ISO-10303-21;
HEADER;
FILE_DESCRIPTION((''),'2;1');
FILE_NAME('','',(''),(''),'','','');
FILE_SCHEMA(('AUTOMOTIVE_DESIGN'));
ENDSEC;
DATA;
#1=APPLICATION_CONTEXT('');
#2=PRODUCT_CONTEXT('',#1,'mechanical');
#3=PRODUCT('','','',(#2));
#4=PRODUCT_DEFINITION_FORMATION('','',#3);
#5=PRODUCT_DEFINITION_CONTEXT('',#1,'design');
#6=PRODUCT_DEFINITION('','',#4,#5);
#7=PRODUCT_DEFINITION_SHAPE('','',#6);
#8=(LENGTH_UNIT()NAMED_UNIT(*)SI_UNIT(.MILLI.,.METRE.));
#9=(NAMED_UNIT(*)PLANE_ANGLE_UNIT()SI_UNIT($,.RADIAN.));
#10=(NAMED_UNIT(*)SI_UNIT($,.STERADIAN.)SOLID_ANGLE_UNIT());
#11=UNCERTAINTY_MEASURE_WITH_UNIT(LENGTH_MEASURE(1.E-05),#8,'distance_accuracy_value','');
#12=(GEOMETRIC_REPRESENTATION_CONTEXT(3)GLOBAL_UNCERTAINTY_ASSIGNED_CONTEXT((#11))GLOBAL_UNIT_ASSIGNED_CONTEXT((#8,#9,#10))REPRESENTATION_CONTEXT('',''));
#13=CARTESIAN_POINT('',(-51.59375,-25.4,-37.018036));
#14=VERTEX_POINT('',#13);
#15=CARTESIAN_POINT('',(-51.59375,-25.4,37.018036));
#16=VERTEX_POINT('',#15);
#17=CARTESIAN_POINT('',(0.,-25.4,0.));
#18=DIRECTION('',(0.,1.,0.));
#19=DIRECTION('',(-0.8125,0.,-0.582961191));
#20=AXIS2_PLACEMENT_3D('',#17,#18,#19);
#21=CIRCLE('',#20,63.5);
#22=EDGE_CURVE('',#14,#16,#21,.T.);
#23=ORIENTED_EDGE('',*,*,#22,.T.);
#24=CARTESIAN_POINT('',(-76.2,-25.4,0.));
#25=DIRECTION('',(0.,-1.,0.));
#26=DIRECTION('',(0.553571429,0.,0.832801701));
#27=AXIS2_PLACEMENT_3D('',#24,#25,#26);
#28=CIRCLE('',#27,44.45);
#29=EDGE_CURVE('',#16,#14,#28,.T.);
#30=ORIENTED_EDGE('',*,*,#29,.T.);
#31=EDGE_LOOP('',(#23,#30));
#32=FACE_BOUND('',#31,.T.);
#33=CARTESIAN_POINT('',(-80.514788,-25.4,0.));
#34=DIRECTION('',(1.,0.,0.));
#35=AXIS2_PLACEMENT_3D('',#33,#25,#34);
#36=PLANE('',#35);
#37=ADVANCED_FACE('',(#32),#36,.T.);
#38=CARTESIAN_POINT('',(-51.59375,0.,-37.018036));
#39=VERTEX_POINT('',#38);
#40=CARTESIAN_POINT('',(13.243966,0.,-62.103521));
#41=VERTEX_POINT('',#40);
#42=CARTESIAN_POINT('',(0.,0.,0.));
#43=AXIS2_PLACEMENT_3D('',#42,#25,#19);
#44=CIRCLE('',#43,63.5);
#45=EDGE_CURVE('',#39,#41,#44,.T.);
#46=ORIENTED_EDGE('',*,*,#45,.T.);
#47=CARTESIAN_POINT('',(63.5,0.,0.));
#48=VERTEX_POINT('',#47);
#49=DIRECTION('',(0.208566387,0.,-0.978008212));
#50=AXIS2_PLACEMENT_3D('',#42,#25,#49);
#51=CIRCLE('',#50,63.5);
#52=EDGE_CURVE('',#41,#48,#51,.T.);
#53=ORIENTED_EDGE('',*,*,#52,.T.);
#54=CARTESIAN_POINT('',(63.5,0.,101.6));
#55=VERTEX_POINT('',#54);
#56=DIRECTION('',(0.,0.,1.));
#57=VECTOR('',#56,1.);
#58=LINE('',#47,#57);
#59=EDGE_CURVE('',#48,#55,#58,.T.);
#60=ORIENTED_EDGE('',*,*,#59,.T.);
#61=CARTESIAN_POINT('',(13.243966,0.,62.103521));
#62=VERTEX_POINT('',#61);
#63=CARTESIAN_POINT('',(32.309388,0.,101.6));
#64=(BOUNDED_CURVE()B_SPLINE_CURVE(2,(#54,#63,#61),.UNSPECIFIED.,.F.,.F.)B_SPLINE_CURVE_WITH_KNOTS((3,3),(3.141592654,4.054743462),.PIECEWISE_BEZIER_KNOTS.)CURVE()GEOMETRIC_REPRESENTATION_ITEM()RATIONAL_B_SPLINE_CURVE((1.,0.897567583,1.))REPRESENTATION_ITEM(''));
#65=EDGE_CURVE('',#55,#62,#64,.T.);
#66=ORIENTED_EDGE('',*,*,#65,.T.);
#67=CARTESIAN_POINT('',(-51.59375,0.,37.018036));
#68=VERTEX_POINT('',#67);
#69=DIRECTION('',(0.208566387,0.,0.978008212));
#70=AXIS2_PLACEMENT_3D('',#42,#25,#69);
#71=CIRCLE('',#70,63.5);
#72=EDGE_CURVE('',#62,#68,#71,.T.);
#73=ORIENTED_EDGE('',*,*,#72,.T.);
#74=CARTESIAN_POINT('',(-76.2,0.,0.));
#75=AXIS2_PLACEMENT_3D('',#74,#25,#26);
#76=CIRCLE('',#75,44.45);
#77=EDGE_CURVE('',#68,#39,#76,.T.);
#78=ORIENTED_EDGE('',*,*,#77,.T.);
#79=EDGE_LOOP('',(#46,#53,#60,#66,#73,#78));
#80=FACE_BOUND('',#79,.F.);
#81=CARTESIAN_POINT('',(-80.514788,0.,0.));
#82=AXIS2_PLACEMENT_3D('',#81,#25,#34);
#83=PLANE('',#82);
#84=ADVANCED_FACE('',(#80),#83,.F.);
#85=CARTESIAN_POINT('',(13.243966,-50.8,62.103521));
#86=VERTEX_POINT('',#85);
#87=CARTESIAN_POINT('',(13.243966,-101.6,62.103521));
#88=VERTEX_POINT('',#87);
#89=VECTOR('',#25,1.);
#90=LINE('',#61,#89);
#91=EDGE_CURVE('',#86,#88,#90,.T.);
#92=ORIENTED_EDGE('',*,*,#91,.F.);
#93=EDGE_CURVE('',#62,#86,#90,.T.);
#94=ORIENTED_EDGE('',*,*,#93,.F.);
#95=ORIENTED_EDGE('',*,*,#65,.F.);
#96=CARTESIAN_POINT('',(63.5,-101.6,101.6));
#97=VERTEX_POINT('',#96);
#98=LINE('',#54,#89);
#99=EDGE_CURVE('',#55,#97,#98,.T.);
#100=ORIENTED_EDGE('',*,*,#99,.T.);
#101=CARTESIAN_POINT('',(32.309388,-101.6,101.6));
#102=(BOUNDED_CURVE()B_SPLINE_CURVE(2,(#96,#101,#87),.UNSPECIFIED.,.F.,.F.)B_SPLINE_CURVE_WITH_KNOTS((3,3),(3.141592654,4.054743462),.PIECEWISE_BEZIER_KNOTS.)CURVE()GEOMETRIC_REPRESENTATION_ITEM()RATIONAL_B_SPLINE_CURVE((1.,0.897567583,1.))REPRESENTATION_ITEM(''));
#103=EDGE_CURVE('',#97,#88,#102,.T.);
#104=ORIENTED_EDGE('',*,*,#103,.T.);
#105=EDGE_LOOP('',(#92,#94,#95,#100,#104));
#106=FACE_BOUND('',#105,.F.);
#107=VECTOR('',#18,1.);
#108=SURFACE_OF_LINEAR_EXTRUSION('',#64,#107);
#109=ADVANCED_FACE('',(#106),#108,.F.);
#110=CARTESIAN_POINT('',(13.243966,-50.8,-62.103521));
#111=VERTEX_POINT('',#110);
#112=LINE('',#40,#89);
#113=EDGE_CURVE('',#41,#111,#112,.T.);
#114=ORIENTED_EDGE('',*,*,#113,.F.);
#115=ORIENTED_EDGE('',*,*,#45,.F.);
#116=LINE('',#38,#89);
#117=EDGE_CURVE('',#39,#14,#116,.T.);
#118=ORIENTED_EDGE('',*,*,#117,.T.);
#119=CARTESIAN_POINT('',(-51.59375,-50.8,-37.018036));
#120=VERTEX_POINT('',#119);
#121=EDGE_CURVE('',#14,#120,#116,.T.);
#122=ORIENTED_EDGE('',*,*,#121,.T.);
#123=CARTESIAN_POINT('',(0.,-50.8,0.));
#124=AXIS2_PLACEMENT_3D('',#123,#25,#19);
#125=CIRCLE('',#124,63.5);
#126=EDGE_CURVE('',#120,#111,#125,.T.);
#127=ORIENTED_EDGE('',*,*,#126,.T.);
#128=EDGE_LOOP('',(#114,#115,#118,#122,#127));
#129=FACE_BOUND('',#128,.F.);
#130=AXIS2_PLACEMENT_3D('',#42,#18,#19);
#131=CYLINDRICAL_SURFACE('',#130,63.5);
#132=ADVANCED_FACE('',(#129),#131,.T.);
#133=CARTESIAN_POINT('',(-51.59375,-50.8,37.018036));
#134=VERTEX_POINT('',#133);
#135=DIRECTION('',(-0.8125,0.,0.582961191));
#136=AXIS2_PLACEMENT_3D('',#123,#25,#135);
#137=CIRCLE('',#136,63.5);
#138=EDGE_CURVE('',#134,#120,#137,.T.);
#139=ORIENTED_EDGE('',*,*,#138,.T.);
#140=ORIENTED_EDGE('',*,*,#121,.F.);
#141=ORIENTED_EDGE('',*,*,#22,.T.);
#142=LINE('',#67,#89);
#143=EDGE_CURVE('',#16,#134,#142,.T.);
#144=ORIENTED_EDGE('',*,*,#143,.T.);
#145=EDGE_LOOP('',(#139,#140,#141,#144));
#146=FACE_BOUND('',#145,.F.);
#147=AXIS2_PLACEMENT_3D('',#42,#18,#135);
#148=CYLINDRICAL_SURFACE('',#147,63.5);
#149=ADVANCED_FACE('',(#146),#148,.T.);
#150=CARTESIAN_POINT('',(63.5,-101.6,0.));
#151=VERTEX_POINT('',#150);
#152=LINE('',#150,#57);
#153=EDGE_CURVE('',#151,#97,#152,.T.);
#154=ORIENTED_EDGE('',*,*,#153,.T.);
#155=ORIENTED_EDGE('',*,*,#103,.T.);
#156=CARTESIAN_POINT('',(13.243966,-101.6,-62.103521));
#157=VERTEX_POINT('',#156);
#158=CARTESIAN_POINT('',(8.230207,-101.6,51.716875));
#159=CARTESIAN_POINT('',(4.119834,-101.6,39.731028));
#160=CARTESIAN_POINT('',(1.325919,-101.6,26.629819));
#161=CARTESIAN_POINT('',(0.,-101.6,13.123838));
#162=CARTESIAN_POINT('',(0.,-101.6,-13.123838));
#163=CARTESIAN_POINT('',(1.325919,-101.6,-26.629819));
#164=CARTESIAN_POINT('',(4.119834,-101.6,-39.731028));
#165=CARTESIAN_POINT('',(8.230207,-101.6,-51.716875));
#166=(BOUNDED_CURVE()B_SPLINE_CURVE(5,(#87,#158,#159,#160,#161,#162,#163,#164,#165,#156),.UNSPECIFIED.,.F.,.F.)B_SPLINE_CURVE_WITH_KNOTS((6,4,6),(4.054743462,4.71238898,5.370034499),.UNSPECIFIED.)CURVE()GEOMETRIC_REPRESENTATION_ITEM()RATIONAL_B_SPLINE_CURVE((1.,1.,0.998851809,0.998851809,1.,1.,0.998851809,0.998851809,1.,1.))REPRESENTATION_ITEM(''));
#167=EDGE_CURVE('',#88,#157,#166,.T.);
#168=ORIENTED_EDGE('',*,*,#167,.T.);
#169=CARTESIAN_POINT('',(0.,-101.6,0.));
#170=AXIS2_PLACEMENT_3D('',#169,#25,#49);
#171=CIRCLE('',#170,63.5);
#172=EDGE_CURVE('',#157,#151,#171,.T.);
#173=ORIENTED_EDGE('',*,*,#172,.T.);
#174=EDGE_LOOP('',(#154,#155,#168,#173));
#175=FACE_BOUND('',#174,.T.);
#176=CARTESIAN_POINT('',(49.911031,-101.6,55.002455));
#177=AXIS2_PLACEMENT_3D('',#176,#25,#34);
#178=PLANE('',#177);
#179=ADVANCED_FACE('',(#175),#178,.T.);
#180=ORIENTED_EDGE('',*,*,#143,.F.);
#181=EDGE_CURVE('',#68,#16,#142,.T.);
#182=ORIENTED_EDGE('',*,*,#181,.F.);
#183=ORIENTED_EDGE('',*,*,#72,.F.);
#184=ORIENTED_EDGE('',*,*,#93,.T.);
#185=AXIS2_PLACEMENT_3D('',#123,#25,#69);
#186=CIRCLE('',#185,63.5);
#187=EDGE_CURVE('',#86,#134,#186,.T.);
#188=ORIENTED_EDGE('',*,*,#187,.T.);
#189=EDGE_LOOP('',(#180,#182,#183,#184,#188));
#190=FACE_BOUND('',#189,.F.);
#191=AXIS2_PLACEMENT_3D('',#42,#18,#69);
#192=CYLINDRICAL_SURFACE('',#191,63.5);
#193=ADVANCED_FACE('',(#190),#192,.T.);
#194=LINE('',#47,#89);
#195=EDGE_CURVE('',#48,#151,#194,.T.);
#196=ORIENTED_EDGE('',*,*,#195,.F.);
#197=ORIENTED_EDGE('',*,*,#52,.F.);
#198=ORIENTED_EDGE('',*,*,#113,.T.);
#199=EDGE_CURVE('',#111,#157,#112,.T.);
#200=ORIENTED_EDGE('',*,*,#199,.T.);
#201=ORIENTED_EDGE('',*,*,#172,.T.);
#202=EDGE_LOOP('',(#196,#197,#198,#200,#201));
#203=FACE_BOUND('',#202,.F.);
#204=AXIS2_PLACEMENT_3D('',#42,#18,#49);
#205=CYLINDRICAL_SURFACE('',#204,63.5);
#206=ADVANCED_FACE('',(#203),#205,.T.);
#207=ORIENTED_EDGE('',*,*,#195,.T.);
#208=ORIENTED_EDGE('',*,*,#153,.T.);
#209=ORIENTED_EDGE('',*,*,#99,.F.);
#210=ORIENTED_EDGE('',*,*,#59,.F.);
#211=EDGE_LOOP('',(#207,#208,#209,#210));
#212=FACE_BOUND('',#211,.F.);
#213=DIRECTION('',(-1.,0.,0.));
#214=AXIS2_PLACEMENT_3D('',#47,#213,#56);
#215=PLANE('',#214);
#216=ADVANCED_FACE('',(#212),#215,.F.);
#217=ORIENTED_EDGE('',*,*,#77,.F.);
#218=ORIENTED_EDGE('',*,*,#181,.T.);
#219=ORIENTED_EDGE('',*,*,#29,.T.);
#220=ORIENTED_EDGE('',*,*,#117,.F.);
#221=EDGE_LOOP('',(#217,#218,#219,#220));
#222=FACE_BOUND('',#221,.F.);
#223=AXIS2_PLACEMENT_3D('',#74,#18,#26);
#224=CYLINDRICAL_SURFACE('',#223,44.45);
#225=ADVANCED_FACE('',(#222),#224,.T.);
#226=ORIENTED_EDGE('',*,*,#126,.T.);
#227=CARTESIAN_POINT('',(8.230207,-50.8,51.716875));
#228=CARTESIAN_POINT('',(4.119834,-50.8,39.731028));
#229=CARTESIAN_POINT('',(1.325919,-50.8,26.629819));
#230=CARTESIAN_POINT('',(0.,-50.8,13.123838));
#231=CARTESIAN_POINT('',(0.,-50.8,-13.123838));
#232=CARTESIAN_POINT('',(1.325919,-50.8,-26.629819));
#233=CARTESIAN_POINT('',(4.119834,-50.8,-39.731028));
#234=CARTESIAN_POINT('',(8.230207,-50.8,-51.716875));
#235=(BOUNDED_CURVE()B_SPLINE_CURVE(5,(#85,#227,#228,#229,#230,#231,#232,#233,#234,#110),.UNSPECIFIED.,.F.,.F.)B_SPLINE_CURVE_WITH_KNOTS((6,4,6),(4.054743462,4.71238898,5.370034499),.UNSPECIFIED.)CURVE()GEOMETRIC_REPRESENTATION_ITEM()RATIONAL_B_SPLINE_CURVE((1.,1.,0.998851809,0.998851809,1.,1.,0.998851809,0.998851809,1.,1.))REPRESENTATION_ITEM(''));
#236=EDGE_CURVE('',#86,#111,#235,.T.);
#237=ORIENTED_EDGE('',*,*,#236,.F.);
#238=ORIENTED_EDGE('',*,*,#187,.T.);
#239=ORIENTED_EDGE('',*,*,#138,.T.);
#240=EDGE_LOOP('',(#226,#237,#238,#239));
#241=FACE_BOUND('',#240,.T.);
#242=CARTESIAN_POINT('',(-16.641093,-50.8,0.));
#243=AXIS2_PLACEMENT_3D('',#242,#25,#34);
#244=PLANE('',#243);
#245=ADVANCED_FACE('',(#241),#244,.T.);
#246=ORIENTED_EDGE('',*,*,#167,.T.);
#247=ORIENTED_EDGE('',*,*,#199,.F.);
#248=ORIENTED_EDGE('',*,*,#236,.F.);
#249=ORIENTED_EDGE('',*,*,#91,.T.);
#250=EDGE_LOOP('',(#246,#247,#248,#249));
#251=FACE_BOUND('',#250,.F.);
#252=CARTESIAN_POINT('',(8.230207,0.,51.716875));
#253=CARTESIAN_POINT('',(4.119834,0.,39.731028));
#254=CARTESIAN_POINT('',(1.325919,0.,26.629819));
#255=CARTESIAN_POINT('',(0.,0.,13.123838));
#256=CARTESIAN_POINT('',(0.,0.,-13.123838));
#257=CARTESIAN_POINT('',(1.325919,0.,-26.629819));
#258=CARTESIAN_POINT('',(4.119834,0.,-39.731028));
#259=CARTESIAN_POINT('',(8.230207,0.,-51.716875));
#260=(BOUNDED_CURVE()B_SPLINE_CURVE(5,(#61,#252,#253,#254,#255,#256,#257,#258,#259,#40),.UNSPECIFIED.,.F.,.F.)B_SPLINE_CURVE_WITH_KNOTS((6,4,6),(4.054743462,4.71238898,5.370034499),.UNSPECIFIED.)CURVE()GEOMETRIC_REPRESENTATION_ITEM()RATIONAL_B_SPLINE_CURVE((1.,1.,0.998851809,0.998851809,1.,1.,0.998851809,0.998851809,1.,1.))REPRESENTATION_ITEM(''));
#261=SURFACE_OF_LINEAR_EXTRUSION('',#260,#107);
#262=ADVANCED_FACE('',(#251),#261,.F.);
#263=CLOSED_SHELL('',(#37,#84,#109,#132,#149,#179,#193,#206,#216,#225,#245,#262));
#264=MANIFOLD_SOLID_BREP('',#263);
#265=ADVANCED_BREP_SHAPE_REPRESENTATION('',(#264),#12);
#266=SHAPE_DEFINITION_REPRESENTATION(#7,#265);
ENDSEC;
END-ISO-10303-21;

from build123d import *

# Parameters (mm, degrees)
F1_DEPTH = 101.6
F2_DEPTH = 50.8
F3_DEPTH = 25.4


with BuildPart() as f1:
    # F0 (on Front) → F1 (new body)
    with BuildSketch(Plane.XZ):
        with BuildLine():
            add(Edge.make_bspline(
                [(63.5, 101.6), (32.3093875408, 101.6), (13.2439655959, 62.1035214404)],
                knots=[3.1415926536, 3.1415926536, 3.1415926536, 4.0547434617, 4.0547434617, 4.0547434617], degree=2, weights=[1, 0.8975675831, 1]))
            ThreePointArc((13.2439655959, 62.1035214404), (49.3621404284, 39.9453262889), (63.5, 0))
            Line((63.5, 0), (63.5, 101.6))
        make_face()
        with BuildLine():
            ThreePointArc((63.5, 0), (49.3621404284, 39.9453262889), (13.2439655959, 62.1035214404))
            add(Edge.make_bspline(
                [(13.2439655959, 62.1035214404), (0, 34.6669399309), (0, 0)],
                knots=[4.0547434617, 4.0547434617, 4.0547434617, 4.7123889804, 4.7123889804, 4.7123889804], degree=2, weights=[1, 0.9464231645, 1]))
            add(Edge.make_bspline(
                [(0, 0), (0, -34.6669399309), (13.2439655959, -62.1035214404)],
                knots=[4.7123889804, 4.7123889804, 4.7123889804, 5.370034499, 5.370034499, 5.370034499], degree=2, weights=[1, 0.9464231645, 1]))
            ThreePointArc((13.2439655959, -62.1035214404), (49.3621404284, -39.9453262889), (63.5, 0))
        make_face()
    extrude(amount=F1_DEPTH)

    # F0 (on Front) → F2 (join)
    with BuildSketch(Plane.XZ):
        with BuildLine():
            ThreePointArc((-51.59375, 37.0180356169), (-37.0237934934, 21.0006510316), (-31.75, 0))
            ThreePointArc((-31.75, 0), (-37.0237934934, -21.0006510316), (-51.59375, -37.0180356169))
            ThreePointArc((-51.59375, -37.0180356169), (-22.9128106244, -59.2220660674), (13.2439655959, -62.1035214404))
            add(Edge.make_bspline(
                [(0, 0), (0, -34.6669399309), (13.2439655959, -62.1035214404)],
                knots=[4.7123889804, 4.7123889804, 4.7123889804, 5.370034499, 5.370034499, 5.370034499], degree=2, weights=[1, 0.9464231645, 1]))
            add(Edge.make_bspline(
                [(13.2439655959, 62.1035214404), (0, 34.6669399309), (0, 0)],
                knots=[4.0547434617, 4.0547434617, 4.0547434617, 4.7123889804, 4.7123889804, 4.7123889804], degree=2, weights=[1, 0.9464231645, 1]))
            ThreePointArc((13.2439655959, 62.1035214404), (-22.9128106244, 59.2220660674), (-51.59375, 37.0180356169))
        make_face()
        with BuildLine():
            ThreePointArc((-51.59375, -37.0180356169), (-37.0237934934, -21.0006510316), (-31.75, 0))
            ThreePointArc((-31.75, 0), (-37.0237934934, 21.0006510316), (-51.59375, 37.0180356169))
            ThreePointArc((-51.59375, 37.0180356169), (-63.5, 0), (-51.59375, -37.0180356169))
        make_face()
    extrude(amount=F2_DEPTH)

    # F0 (on Front) → F3 (join)
    with BuildSketch(Plane.XZ):
        with BuildLine():
            ThreePointArc((-51.59375, -37.0180356169), (-63.5, 0), (-51.59375, 37.0180356169))
            ThreePointArc((-51.59375, 37.0180356169), (-120.65, 0), (-51.59375, -37.0180356169))
        make_face()
    extrude(amount=F3_DEPTH)


solid = f1.part
